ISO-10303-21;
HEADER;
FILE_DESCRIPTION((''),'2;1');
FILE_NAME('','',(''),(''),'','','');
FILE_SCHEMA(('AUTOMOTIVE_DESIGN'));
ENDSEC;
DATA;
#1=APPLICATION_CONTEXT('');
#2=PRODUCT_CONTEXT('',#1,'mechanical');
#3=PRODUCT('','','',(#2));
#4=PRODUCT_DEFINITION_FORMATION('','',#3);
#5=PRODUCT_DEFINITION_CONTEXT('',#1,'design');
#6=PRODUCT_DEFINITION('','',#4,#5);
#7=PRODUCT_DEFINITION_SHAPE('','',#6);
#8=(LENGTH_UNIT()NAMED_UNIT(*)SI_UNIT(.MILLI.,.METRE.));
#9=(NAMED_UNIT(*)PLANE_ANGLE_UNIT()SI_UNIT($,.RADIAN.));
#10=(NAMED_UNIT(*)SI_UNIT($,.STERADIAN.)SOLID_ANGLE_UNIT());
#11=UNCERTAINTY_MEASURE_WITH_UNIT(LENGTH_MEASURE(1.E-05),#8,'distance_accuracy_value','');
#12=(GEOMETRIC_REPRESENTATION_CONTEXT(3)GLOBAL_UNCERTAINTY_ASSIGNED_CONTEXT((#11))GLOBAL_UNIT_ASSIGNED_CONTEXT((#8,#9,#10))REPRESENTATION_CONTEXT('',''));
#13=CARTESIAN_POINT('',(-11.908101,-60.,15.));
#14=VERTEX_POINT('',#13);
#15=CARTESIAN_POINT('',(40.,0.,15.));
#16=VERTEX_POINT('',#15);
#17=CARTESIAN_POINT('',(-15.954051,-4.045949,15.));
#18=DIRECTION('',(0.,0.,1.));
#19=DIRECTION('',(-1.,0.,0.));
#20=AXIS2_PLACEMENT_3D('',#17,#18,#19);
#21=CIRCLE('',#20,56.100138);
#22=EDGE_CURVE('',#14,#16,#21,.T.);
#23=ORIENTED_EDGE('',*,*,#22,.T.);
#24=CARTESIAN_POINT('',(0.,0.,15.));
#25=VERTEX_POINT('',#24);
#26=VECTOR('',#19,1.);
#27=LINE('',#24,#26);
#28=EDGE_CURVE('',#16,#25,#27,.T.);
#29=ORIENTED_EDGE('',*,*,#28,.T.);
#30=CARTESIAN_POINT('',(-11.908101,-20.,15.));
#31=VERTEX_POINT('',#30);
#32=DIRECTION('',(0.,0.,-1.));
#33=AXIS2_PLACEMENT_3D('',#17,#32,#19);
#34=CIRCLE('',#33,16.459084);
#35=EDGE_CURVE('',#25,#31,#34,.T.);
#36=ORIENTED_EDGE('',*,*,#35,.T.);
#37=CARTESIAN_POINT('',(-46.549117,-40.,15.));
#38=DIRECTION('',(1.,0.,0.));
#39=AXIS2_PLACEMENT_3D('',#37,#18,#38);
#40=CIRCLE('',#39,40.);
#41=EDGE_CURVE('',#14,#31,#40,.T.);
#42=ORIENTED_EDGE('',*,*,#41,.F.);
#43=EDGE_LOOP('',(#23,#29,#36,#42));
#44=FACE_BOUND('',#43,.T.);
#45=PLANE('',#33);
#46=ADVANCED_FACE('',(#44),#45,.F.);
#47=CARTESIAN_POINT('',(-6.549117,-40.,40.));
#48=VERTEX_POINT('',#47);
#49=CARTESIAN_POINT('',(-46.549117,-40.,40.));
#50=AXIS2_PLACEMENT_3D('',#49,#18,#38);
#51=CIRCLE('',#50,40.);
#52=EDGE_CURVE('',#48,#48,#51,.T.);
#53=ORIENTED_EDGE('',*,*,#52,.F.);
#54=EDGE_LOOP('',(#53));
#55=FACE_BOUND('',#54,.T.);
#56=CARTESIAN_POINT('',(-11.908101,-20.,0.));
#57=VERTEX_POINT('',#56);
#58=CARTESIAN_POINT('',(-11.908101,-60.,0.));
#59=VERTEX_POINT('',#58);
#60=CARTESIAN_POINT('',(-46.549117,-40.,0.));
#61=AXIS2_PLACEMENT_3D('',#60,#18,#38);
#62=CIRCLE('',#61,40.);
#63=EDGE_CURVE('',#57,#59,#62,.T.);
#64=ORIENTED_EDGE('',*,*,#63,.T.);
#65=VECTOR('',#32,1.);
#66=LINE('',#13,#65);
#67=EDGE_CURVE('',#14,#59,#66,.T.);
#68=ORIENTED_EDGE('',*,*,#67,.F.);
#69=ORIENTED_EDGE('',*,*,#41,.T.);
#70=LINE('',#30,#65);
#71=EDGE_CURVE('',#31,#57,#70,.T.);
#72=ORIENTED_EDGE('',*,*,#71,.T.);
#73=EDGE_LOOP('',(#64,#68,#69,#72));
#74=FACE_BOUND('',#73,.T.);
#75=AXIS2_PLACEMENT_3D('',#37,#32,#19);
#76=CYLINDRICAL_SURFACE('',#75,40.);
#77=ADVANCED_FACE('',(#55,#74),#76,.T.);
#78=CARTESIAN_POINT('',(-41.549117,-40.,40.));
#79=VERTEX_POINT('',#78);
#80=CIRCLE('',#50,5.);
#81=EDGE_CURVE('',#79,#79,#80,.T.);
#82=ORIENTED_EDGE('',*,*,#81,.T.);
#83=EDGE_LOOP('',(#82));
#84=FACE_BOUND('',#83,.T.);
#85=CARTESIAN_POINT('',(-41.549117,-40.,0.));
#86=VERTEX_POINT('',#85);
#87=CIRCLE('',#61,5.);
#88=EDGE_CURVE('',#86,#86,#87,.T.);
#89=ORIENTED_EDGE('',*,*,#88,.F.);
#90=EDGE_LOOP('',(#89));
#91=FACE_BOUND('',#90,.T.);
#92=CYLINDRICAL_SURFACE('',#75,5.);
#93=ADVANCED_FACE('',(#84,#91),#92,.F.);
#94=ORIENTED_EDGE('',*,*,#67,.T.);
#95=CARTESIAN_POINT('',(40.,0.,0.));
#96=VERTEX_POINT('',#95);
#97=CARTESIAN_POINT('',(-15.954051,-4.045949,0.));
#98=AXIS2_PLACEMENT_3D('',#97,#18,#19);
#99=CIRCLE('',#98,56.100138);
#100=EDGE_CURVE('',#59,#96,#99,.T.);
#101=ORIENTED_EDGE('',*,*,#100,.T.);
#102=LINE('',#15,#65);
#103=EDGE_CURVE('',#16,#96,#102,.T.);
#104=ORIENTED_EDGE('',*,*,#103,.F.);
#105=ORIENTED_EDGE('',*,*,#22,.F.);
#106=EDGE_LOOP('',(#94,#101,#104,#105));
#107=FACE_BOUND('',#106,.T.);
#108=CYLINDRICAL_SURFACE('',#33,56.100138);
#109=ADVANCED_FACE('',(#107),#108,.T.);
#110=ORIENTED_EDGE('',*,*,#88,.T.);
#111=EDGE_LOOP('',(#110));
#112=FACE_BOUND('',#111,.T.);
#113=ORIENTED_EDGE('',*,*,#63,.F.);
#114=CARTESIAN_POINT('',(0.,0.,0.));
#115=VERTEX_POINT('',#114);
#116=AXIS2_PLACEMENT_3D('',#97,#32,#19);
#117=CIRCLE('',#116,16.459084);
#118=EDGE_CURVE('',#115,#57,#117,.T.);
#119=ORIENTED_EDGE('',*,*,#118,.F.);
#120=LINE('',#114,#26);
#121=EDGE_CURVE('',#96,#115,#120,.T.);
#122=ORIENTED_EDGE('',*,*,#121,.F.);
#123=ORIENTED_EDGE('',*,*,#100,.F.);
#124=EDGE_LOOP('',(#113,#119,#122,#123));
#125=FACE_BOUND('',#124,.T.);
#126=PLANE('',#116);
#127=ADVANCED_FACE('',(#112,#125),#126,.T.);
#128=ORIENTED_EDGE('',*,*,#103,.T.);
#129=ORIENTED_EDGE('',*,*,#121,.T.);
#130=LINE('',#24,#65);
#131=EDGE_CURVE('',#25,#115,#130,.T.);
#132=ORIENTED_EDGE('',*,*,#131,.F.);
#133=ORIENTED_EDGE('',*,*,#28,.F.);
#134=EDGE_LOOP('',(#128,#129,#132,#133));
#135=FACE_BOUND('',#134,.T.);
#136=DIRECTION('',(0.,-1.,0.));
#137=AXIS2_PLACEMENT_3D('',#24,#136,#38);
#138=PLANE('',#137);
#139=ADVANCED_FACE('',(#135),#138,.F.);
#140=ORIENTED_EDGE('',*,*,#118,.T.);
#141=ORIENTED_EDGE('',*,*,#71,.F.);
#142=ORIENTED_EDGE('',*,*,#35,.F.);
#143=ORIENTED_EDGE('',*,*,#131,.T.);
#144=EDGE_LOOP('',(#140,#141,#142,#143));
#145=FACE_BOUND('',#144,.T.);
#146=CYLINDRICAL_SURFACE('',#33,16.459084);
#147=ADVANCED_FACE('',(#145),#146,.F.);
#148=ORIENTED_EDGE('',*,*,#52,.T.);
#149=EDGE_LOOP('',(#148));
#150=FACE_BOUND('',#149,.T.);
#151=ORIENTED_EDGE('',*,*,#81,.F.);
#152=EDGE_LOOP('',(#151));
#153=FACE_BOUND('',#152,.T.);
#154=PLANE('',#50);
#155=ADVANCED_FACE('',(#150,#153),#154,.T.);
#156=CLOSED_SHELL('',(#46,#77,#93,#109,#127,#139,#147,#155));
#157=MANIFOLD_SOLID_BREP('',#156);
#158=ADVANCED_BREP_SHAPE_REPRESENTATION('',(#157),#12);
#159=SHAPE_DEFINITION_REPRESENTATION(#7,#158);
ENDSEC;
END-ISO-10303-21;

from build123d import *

# Parameters (mm, degrees)
SKETCH1_R           = 5
BOSS_EXTRUDE1_DEPTH = 15
SKETCH5_R           = 40
SKETCH5_R_2         = 5
BOSS_EXTRUDE2_DEPTH = 25


with BuildPart() as part:
    # Sketch1 → Boss-Extrude1 (new body)
    with BuildSketch(Plane.XY):
        with BuildLine():
            Line((0, 0), (40, 0))
            ThreePointArc((40, 0), (26.472356234, -40.750519772), (-11.908101275, -60))
            ThreePointArc((-11.908101275, -60), (-86.549117426, -40), (-11.908101275, -20))
            ThreePointArc((-11.908101275, -20), (-1.811915014, -12.466248525), (0, 0))
        make_face()
        with Locations((-46.549117426, -40)):
            Circle(SKETCH1_R, mode=Mode.SUBTRACT)
    extrude(amount=BOSS_EXTRUDE1_DEPTH)

    # Sketch5 → Boss-Extrude2 (add)
    with BuildSketch(Plane.XY.offset(15)):
        with Locations((-46.549117426, -40)):
            Circle(SKETCH5_R)
        with Locations((-46.549117426, -40)):
            Circle(SKETCH5_R_2, mode=Mode.SUBTRACT)
    extrude(amount=BOSS_EXTRUDE2_DEPTH)


solid = part.part
